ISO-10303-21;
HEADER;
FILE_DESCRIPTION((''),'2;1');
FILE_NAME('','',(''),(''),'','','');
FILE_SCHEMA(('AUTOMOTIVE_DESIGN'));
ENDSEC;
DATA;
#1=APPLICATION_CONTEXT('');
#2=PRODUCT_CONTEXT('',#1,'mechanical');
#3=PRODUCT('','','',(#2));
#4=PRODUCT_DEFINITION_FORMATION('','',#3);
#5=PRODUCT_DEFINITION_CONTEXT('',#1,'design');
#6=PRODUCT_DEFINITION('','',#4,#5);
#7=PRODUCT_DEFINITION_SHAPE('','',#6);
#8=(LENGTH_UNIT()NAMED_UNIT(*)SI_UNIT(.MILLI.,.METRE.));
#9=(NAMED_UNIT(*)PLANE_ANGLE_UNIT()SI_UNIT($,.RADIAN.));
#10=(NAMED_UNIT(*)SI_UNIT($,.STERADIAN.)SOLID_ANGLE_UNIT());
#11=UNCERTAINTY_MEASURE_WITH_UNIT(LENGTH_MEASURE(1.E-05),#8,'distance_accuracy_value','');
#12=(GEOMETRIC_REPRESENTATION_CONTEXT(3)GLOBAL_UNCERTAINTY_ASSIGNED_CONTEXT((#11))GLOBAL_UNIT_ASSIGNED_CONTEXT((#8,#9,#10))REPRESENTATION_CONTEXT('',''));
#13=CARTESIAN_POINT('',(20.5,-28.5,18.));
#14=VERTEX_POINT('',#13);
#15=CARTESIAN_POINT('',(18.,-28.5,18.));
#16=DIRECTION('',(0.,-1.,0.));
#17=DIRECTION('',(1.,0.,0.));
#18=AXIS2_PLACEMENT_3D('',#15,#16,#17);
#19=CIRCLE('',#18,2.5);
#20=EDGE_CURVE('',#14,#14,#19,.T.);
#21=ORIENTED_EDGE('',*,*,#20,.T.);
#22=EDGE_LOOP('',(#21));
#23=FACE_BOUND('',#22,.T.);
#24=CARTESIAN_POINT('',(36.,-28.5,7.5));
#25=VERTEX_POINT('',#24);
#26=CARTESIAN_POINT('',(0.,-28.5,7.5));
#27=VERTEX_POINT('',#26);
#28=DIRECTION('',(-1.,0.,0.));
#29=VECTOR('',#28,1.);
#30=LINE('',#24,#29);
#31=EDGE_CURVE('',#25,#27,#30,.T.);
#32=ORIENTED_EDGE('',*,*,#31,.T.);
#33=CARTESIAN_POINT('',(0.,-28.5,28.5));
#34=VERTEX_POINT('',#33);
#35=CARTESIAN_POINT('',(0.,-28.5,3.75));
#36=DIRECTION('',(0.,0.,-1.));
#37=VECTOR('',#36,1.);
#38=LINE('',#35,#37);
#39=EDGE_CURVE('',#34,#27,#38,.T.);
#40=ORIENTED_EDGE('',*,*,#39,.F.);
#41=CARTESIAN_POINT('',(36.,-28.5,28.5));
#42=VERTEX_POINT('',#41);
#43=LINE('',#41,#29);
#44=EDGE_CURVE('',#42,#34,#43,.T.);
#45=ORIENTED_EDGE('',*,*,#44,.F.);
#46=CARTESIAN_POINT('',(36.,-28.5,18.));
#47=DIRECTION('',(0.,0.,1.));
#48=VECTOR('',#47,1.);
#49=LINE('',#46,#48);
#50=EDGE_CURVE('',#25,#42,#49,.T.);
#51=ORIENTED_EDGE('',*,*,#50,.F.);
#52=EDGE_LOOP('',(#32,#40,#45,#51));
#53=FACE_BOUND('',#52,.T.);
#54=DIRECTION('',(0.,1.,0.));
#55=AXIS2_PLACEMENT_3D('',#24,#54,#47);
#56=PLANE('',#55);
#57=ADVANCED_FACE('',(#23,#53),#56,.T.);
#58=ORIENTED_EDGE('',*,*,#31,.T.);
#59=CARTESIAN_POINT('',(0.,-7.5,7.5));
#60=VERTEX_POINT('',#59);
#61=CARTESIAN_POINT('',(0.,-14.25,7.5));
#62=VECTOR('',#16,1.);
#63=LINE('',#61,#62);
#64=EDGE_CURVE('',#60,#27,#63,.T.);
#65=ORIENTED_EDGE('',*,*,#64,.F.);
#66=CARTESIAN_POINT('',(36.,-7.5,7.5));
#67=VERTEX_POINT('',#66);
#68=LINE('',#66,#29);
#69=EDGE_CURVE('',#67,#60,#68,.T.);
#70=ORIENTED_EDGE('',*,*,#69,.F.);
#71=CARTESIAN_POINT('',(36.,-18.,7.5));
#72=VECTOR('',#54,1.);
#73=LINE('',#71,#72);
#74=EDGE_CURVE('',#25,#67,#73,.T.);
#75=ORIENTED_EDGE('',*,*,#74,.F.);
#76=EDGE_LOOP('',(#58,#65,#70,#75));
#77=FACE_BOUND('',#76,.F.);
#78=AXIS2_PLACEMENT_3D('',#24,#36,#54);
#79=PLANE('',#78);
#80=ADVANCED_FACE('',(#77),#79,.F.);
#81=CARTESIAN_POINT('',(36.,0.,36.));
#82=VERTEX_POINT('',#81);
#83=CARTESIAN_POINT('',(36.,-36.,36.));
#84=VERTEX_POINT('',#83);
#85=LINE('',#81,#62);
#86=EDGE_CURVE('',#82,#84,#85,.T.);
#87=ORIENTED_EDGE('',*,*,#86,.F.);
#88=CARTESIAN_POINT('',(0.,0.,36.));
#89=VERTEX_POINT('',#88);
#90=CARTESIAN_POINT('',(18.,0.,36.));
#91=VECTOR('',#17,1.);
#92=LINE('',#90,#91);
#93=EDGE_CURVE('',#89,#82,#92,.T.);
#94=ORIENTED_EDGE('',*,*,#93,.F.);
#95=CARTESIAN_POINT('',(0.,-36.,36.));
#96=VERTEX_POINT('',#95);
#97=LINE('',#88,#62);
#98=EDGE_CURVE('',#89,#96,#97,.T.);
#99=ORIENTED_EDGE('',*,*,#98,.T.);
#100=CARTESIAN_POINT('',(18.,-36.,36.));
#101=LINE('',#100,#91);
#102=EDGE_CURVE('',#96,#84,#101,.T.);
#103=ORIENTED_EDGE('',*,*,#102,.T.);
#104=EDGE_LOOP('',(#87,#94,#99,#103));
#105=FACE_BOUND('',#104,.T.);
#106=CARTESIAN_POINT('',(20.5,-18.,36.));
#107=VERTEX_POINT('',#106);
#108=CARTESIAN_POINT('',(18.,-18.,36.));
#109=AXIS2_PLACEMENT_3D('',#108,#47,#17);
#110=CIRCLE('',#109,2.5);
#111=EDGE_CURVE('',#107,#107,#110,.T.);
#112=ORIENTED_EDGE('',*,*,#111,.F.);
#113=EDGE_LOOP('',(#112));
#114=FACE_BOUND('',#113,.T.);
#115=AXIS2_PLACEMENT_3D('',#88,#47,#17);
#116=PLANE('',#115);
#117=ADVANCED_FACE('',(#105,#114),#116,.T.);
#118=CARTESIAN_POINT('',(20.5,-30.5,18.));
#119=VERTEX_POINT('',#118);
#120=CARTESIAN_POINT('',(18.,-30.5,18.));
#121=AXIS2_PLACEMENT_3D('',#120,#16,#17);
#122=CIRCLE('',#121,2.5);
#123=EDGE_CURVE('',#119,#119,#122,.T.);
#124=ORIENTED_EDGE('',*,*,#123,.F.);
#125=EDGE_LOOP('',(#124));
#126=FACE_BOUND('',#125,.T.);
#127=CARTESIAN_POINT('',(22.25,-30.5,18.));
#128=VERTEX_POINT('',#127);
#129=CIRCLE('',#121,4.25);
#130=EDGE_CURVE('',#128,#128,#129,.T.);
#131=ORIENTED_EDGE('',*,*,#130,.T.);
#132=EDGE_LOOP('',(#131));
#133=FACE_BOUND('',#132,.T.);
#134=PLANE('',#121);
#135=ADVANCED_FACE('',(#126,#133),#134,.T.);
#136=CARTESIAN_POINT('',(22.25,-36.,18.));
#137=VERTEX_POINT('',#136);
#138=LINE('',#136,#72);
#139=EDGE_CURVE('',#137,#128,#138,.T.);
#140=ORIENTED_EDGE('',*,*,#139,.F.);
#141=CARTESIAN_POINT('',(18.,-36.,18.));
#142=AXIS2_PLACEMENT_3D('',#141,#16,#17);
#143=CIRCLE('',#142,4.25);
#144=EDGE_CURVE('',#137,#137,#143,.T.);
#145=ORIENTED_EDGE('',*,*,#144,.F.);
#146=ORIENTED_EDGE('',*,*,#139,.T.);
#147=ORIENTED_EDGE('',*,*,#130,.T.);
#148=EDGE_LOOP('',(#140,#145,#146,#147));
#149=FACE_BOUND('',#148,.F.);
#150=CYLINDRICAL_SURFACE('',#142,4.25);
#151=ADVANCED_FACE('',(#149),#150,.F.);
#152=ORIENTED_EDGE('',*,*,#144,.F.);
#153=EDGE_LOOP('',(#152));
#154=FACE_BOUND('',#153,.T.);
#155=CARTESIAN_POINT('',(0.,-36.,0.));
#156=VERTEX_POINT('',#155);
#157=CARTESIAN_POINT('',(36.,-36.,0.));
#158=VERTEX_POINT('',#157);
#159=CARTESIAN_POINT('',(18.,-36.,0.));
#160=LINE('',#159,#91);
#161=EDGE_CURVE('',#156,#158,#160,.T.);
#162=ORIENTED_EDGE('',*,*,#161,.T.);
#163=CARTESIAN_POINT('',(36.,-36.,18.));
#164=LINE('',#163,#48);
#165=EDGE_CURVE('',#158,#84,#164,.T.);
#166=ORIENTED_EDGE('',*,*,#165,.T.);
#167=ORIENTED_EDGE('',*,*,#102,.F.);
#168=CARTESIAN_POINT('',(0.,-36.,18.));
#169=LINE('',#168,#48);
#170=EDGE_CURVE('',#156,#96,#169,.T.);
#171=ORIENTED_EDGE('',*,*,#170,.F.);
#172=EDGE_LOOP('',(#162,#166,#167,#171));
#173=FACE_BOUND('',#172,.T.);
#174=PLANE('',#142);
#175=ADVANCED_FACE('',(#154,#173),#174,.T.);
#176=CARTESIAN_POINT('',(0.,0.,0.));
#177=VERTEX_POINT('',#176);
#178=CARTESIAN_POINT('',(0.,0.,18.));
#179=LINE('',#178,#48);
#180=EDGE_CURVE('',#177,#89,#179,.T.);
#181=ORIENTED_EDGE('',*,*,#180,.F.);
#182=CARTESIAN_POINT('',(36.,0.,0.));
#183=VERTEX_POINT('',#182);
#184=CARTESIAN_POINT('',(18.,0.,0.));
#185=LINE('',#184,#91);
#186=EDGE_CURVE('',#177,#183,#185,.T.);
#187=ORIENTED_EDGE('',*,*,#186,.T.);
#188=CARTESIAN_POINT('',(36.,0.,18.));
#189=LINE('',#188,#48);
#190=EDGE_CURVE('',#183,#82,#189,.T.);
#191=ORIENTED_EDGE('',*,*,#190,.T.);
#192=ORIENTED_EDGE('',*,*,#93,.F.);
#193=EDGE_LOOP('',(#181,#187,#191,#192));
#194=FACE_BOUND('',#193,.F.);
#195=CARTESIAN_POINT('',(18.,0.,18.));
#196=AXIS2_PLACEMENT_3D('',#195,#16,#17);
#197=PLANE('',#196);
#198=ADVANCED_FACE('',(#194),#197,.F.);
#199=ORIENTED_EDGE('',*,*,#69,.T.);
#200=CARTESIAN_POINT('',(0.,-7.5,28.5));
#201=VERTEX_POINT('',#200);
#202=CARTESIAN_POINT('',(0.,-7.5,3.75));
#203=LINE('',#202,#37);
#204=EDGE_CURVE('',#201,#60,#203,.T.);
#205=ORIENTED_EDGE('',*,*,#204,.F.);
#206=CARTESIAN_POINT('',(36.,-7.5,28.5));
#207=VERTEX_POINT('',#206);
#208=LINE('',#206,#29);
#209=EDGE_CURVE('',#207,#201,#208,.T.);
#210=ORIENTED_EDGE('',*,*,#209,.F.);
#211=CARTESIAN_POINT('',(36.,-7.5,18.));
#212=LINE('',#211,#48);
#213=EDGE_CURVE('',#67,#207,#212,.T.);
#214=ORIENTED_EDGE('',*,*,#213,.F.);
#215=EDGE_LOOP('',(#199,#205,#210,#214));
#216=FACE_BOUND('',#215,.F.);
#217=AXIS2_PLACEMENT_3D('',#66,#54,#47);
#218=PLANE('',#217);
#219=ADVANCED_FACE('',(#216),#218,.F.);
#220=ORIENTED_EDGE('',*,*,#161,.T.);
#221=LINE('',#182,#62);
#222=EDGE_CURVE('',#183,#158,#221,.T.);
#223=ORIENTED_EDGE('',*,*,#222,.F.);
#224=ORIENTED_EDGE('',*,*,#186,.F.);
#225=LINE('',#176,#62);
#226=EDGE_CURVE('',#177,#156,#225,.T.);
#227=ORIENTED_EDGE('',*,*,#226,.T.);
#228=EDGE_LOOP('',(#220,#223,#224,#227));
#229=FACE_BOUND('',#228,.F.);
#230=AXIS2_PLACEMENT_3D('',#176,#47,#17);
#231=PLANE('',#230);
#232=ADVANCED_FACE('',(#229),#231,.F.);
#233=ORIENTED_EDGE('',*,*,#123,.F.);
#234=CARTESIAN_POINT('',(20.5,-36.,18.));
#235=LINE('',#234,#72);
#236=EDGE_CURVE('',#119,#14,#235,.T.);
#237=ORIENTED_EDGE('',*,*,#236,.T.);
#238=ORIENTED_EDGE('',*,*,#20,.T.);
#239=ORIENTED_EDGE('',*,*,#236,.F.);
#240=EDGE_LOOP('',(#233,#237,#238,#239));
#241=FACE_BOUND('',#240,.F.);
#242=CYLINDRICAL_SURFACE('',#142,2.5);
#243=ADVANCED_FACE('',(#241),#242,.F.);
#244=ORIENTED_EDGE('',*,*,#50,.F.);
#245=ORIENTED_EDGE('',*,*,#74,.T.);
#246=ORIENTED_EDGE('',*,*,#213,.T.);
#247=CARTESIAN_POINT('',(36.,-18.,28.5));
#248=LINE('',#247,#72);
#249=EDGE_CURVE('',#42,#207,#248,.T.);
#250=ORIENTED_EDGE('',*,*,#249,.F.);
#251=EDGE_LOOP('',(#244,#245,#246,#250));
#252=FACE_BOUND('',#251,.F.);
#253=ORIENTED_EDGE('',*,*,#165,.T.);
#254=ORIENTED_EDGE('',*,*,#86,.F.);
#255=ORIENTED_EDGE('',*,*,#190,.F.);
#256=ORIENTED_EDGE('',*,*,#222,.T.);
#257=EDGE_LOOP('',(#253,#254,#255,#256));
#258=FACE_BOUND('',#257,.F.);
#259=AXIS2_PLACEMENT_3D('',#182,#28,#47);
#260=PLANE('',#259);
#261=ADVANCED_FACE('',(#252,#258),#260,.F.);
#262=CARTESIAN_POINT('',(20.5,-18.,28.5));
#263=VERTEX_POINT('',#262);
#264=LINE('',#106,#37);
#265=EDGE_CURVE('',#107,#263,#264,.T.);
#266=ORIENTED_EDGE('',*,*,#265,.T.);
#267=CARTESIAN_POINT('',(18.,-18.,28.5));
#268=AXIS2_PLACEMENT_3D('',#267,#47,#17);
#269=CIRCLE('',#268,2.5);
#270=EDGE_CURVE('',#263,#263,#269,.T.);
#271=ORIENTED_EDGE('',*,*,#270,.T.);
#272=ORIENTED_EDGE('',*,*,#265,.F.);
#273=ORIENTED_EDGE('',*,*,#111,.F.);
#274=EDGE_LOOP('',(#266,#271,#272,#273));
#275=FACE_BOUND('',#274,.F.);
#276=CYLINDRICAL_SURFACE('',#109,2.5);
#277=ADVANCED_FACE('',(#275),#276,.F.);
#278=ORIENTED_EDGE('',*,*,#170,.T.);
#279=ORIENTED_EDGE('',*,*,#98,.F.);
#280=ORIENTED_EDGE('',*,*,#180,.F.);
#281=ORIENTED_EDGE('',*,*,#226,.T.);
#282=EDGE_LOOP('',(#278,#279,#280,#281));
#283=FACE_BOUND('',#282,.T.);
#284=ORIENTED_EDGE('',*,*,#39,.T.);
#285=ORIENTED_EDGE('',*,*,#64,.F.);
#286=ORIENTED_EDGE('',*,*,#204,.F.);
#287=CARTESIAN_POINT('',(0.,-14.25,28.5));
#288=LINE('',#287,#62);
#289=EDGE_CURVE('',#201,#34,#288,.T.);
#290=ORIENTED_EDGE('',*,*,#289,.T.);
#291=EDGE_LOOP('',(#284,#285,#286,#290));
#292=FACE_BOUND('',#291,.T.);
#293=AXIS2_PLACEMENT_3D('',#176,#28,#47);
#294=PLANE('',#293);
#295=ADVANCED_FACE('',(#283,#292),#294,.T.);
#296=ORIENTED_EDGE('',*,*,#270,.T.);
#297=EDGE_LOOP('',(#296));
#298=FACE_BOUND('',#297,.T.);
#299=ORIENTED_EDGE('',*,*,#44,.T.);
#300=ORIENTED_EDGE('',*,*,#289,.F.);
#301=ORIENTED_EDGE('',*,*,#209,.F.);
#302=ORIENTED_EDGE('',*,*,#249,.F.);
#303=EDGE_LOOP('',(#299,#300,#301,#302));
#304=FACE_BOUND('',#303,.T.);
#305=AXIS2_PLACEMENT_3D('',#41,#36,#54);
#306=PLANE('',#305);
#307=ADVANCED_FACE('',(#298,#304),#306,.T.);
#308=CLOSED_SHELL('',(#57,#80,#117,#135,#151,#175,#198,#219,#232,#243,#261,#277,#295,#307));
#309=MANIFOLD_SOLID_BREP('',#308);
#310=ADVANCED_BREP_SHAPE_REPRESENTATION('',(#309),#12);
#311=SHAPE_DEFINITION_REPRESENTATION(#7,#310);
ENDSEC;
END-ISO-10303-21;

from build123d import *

# Parameters (mm, degrees)
F0_W     = 36
F0_H     = 36
F1_DEPTH = 36
F2_W     = 21
F2_H     = 21
F3_DEPTH = 60
F4_R     = 2.5
F5_DEPTH = 25
F6_R     = 2.5
F7_DEPTH = 20
F8_R     = 4.25
F9_DEPTH = 5.5


with BuildPart() as f1:
    # F0 (on Front) → F1 (new body)
    with BuildSketch(Plane.XZ):
        with Locations((18, 18)):
            Rectangle(F0_W, F0_H)
    extrude(amount=F1_DEPTH)

    # F2 (on face) → F3 (cut)
    with BuildSketch(Plane.YZ.offset(36)):
        with Locations((-18, 18)):
            Rectangle(F2_W, F2_H)
    extrude(amount=-F3_DEPTH, mode=Mode.SUBTRACT)

    # F4 (on face) → F5 (cut)
    with BuildSketch(Plane.XY.offset(36)):
        with Locations((18, -18)):
            Circle(F4_R)
    extrude(amount=-F5_DEPTH, mode=Mode.SUBTRACT)

    # F6 (on face) → F7 (cut)
    with BuildSketch(Plane.XZ.offset(36)):
        with Locations((18, 18)):
            Circle(F6_R)
    extrude(amount=-F7_DEPTH, mode=Mode.SUBTRACT)

    # F8 (on face) → F9 (cut)
    with BuildSketch(Plane.XZ.offset(36)):
        with Locations((18, 18)):
            Circle(F8_R)
    extrude(amount=-F9_DEPTH, mode=Mode.SUBTRACT)


solid = f1.part
